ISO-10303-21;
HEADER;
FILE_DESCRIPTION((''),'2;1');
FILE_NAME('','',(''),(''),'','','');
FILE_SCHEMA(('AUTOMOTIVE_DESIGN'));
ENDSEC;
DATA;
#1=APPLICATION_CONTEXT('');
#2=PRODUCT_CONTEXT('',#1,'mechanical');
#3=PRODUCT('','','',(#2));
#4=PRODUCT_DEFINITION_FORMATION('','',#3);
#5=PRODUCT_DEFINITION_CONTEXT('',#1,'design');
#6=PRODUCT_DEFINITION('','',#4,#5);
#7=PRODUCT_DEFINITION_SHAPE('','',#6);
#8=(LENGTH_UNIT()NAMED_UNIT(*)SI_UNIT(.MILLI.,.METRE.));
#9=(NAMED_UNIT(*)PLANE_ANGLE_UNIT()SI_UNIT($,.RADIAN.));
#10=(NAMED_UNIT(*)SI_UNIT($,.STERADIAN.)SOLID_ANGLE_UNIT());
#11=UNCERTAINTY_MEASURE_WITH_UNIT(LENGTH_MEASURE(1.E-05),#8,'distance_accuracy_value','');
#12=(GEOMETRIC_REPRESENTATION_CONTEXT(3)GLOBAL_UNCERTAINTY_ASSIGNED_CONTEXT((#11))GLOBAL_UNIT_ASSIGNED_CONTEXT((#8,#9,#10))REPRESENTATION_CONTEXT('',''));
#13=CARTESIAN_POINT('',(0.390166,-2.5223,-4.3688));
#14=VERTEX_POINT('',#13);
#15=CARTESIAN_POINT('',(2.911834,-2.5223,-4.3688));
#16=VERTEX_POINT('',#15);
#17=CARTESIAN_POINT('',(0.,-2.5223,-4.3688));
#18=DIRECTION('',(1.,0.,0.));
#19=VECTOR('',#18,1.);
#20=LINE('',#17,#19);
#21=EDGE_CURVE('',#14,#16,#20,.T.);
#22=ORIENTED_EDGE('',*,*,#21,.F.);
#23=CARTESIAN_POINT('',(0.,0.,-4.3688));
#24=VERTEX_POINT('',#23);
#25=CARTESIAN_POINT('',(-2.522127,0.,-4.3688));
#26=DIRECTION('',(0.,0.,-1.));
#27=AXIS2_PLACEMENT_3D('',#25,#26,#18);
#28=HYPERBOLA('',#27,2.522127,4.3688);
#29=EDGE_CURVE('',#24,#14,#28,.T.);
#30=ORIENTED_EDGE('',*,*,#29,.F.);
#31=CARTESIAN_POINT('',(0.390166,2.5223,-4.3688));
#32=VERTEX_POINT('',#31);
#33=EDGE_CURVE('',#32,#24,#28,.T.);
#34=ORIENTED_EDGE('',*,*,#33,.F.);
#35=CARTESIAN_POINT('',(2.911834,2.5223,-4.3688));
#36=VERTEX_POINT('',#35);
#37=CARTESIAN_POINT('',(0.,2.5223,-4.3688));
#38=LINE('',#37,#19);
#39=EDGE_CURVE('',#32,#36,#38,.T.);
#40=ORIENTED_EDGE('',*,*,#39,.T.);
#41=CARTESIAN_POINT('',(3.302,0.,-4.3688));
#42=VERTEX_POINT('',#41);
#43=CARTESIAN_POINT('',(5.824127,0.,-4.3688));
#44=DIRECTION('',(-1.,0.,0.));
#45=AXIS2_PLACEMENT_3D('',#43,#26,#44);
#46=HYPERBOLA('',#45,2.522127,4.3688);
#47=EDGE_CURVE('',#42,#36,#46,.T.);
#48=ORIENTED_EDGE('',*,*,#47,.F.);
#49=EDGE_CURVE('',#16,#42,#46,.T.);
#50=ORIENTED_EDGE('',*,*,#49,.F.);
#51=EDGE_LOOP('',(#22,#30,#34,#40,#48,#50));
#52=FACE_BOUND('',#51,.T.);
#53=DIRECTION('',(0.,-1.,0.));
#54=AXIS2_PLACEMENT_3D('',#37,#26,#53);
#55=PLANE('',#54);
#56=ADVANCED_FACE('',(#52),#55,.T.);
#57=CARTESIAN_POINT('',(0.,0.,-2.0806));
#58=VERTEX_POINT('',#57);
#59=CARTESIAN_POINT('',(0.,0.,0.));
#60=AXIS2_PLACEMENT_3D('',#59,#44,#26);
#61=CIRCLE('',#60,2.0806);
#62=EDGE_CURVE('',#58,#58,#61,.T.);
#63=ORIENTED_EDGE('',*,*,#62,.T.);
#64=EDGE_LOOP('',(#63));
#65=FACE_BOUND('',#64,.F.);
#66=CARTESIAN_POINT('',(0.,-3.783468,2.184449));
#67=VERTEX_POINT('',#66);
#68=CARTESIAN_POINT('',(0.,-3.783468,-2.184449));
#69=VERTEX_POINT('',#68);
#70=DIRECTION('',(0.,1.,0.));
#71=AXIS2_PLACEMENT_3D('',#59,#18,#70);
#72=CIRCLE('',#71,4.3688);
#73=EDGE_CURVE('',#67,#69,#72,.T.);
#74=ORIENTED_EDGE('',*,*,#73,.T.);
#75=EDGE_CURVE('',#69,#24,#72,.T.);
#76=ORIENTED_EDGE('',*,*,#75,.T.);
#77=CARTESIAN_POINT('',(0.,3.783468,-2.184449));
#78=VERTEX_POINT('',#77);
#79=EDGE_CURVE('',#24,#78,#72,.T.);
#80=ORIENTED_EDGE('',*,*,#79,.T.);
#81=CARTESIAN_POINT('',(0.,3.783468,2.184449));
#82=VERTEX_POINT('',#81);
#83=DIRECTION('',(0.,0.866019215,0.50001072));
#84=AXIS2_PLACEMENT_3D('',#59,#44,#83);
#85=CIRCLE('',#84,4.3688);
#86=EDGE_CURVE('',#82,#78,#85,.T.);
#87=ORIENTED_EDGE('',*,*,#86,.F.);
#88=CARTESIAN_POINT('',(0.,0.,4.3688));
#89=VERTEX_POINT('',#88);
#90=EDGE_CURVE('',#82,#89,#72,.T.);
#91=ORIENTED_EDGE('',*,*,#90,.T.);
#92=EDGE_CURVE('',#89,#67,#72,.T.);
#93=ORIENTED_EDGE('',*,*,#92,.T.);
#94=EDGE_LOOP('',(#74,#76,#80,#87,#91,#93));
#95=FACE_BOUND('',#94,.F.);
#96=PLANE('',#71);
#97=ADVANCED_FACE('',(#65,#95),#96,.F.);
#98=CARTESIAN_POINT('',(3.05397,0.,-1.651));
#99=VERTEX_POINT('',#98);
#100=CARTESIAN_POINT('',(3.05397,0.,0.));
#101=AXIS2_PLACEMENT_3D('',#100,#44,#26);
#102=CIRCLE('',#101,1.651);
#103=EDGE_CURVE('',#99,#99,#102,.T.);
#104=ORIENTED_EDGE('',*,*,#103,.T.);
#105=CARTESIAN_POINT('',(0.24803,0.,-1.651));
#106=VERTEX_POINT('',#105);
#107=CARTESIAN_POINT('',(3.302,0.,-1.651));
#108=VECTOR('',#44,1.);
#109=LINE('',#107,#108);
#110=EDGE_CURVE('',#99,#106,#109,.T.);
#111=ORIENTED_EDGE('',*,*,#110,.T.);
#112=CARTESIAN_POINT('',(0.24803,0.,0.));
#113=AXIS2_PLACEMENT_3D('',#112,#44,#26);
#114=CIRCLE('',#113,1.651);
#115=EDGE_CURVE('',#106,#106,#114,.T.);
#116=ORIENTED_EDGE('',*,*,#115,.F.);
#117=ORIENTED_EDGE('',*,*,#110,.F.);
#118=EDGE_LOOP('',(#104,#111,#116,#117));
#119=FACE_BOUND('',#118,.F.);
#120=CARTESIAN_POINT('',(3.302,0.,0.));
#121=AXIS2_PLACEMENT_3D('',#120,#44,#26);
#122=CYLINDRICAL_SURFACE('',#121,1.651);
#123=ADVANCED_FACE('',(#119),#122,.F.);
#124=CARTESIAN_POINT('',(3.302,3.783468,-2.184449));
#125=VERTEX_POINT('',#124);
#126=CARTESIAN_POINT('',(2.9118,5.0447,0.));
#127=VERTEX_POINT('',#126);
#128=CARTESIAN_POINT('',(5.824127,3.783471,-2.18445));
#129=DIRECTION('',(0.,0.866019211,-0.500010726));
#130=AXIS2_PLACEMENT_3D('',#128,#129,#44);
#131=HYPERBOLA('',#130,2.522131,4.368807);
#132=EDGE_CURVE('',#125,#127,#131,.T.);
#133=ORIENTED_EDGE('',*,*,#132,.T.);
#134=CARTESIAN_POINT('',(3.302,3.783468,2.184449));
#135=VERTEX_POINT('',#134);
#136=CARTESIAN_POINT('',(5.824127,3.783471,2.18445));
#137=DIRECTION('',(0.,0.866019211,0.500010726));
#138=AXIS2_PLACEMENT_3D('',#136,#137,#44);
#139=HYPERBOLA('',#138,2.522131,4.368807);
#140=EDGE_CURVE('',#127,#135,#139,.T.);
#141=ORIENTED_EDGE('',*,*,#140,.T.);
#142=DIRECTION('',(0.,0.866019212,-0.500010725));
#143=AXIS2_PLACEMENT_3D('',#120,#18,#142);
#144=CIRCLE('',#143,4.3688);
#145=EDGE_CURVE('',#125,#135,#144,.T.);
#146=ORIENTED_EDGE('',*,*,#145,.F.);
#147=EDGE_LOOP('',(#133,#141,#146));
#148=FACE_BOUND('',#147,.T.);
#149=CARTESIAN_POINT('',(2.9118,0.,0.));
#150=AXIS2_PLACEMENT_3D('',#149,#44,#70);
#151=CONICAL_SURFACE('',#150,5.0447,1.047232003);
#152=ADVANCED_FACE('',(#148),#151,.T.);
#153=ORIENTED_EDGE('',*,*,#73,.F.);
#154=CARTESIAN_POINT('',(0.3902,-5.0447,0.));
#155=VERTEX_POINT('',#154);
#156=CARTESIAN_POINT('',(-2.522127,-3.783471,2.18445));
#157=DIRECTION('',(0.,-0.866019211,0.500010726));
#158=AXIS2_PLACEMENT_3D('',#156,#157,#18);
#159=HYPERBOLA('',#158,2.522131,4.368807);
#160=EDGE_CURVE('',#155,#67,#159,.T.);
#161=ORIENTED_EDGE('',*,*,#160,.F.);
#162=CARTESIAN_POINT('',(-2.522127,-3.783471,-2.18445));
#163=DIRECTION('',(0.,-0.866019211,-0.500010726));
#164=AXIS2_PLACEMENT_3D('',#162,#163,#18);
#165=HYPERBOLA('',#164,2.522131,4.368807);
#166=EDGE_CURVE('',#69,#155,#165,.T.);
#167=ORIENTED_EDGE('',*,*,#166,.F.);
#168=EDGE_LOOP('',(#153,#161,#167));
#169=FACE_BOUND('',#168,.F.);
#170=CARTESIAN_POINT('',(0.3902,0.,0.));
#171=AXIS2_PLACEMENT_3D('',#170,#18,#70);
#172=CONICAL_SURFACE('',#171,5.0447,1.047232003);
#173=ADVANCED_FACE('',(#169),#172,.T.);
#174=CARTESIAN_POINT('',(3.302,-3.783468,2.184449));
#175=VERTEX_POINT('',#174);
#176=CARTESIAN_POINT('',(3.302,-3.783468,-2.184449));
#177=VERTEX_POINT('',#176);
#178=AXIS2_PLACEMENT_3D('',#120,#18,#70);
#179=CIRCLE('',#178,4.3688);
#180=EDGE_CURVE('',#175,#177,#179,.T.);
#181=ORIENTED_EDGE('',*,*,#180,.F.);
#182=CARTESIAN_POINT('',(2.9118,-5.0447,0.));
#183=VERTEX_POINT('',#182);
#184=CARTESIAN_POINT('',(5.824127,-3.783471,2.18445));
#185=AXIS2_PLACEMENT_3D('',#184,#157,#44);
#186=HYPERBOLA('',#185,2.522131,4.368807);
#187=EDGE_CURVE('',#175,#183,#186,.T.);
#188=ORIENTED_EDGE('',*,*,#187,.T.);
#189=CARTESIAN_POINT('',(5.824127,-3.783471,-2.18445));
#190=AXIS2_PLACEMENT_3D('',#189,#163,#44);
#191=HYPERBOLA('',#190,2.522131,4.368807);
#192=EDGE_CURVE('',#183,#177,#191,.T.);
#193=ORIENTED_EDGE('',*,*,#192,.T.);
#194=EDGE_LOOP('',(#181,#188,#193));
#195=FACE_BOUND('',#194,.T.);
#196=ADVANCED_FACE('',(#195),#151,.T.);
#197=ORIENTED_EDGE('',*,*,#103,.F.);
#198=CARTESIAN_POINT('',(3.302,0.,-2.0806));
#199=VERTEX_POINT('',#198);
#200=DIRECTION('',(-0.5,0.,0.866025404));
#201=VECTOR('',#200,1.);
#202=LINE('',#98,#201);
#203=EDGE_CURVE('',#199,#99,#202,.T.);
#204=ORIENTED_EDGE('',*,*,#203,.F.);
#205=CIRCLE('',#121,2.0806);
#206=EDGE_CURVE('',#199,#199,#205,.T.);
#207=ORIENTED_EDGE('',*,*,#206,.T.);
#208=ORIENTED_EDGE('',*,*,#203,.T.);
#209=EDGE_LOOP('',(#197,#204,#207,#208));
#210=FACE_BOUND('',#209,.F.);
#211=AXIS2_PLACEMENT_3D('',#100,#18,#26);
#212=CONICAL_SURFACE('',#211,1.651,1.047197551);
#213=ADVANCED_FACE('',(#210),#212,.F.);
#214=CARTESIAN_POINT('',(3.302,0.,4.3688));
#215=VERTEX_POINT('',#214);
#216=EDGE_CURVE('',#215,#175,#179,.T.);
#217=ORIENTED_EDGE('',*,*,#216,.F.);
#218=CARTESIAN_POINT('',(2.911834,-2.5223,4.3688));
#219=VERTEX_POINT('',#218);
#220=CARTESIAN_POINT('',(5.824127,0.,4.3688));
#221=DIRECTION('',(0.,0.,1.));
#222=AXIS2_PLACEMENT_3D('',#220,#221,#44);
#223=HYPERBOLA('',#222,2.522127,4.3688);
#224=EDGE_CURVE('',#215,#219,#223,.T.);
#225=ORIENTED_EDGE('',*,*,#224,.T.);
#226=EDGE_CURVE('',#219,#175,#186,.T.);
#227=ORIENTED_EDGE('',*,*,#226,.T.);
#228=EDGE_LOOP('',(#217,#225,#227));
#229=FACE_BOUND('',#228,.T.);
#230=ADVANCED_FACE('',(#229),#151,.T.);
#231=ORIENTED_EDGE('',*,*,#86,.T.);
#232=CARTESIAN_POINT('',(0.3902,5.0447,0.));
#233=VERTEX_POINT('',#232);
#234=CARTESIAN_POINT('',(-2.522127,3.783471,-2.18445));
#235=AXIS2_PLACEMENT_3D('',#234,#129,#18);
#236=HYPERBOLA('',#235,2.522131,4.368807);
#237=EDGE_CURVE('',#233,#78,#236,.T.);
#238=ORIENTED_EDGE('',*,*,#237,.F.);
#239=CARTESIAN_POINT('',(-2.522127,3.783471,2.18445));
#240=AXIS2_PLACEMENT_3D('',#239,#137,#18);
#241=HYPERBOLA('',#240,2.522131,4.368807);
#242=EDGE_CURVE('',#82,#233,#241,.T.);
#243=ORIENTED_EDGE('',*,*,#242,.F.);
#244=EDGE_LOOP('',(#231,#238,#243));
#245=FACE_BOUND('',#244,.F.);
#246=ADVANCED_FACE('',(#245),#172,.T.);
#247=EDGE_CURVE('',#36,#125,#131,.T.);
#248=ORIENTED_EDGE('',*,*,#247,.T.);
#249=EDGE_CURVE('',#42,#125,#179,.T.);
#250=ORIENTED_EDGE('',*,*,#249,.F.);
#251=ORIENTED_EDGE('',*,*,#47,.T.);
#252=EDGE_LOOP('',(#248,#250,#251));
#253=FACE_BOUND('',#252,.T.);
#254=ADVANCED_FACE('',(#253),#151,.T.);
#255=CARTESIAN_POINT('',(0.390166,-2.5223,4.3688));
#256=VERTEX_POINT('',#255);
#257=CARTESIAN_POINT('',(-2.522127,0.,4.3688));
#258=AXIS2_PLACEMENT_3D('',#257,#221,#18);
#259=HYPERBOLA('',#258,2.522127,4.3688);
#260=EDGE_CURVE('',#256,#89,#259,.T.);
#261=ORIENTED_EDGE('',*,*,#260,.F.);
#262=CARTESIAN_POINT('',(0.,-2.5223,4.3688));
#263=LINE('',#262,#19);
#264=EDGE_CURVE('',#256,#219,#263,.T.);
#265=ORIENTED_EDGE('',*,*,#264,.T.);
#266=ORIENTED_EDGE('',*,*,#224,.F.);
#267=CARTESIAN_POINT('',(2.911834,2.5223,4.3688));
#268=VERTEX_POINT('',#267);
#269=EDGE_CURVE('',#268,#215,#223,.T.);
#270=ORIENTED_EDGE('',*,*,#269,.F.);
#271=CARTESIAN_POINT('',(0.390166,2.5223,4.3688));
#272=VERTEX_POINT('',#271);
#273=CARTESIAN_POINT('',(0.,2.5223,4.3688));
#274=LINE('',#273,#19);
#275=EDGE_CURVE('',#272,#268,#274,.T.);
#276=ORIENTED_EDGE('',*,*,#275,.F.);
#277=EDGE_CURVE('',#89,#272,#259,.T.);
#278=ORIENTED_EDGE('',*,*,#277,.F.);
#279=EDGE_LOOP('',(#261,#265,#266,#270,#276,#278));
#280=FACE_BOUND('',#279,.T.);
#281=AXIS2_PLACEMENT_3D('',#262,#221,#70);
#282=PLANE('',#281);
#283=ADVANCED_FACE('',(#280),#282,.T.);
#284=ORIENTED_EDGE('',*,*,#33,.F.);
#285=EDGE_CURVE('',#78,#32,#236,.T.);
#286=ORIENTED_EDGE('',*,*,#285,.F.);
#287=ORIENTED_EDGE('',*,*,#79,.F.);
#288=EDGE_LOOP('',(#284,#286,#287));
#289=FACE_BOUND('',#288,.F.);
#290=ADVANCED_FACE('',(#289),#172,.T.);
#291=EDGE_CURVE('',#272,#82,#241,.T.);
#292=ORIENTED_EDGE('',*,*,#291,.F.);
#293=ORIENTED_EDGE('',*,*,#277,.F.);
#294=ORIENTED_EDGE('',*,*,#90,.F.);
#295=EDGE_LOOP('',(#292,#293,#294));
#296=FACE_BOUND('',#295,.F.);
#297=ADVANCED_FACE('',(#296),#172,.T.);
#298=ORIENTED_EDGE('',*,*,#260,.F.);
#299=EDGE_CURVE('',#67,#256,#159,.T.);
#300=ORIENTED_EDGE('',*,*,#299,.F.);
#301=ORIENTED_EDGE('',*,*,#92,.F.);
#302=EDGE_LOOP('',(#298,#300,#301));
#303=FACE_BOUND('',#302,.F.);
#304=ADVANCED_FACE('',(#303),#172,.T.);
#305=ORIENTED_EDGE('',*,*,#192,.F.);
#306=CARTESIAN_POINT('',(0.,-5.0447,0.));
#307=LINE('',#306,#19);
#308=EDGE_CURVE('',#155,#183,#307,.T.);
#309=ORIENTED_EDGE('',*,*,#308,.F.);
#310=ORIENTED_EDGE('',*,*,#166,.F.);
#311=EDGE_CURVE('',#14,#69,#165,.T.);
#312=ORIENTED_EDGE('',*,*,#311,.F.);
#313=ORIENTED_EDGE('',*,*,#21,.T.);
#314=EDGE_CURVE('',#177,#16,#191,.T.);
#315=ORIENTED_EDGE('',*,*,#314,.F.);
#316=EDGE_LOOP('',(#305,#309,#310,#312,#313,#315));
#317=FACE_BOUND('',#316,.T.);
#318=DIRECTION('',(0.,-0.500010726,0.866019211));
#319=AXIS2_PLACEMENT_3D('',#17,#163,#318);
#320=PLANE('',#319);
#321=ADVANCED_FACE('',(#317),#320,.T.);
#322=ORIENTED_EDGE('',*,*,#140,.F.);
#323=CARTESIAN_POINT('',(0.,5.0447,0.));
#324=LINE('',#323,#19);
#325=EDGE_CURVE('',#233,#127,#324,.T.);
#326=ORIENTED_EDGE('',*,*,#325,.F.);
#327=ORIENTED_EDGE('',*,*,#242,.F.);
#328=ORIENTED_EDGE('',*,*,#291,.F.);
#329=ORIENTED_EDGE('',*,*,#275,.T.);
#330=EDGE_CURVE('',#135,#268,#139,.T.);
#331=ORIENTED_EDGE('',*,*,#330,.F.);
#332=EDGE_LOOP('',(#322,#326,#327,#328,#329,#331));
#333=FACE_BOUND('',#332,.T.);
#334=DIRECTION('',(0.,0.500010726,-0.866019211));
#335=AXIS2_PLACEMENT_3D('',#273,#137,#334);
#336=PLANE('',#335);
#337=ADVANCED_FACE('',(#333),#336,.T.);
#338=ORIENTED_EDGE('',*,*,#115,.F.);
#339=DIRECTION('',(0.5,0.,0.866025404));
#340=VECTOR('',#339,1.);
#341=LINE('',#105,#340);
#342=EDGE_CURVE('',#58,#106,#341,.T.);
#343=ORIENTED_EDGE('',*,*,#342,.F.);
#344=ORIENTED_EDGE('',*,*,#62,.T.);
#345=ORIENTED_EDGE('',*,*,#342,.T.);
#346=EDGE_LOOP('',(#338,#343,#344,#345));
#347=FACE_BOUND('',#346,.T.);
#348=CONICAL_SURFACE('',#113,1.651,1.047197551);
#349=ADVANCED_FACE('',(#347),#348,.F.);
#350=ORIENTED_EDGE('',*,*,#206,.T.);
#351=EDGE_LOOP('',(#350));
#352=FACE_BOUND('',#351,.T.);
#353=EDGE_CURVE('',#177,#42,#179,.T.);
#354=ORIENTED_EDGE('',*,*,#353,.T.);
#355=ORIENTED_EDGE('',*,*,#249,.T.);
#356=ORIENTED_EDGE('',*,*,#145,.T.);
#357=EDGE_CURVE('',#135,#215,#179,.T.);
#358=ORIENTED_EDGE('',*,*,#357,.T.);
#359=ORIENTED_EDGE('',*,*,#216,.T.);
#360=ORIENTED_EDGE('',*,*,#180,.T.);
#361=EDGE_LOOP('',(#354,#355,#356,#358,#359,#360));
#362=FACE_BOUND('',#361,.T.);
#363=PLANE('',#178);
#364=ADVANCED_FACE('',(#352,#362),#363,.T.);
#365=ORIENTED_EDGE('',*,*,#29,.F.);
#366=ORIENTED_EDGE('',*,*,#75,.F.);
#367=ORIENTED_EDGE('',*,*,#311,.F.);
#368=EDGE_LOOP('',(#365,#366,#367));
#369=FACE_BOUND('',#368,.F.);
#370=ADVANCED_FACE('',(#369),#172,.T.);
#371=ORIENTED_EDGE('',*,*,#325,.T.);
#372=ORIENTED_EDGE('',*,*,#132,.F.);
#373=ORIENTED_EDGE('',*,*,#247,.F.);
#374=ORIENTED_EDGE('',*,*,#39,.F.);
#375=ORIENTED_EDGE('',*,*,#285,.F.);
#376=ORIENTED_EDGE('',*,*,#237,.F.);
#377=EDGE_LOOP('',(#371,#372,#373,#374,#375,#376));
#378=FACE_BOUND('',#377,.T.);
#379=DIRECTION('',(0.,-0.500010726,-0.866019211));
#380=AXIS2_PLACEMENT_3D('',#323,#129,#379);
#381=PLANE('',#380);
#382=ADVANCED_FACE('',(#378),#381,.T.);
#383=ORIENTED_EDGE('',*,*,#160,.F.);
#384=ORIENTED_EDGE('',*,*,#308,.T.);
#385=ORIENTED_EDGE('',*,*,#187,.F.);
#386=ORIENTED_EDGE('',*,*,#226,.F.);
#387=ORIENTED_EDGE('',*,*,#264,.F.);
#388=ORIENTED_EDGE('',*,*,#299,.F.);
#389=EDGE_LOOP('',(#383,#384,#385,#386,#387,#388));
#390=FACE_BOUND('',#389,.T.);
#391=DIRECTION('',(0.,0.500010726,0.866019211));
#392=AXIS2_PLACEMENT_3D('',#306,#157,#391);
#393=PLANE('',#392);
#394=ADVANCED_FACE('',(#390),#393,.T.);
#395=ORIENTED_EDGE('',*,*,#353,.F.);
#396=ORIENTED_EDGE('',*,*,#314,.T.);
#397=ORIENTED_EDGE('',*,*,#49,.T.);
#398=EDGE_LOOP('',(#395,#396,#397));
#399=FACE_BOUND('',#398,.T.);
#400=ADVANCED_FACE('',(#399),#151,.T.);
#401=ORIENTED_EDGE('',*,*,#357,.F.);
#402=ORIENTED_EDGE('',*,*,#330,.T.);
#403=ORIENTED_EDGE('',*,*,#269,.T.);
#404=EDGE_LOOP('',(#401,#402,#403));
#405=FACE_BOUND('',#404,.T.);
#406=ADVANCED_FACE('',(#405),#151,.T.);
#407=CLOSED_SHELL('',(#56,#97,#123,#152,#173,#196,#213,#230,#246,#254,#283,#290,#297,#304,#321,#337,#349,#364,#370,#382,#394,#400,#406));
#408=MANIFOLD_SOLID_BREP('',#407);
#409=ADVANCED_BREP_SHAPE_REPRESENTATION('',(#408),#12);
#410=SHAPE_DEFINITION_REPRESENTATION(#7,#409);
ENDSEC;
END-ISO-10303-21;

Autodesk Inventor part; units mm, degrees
ref_plane "YZ Plane" through (0, 0, 0) normal (1, 0, 0) x (0, 1, 0)
ref_plane "XZ Plane" through (0, 0, 0) normal (0, 1, 0) x (-1, 0, 0)
sketch "Sketch1" plane through (0, 0, 0) normal (1, 0, 0) x (0, 1, 0)
  line L0 (-5.0447, 0) -> (-2.5223, 4.3688)
  line L1 (-2.5223, 4.3688) -> (2.5223, 4.3688)
  line L2 (2.5223, 4.3688) -> (5.0447, 0)
  line L3 (5.0447, 0) -> (2.5223, -4.3688)
  line L4 (2.5223, -4.3688) -> (-2.5223, -4.3688)
  line L5 (-2.5223, -4.3688) -> (-5.0447, 0)
  point P0 (0, 0)
  point P1 (0, 0)
  dimension "d0" = 10.0893
extrude "Body" add sketch "Sketch1" along normal blind 3.302
sketch "Sketch2" plane through (0, 0, 0) normal (0, 0, 1) x (1, 0, 0)
  line L0 (0, 2.5223) -> (0, 5.0447) projected
  line L1 (0, 5.0447) -> (3.302, 5.0447) projected
  line L2 (3.302, 2.5223) -> (3.302, 5.0447) projected
  line L3 (-0.6604, 0) -> (3.9624, 0) projected
  line L4 (0.3902, 5.0447) -> (0, 4.3688)
  line L5 (2.9118, 5.0447) -> (3.302, 4.3688)
  dimension "d3" = 30
  dimension "d4" = 30
  dimension "d5" = 8.7376
  dimension "d6" = 8.7376
revolve "Chamfer1" cut sketch "Sketch2" angle 360 about axis through (-10, 0, 0) along (1, 0, 0)
sketch "Sketch3" plane through (3.302, 0, 0) normal (1, 0, 0) x (0, 0, -1)
  arc A0 (-2.1844, -3.7835) -> (2.1844, -3.7835) centre (0, 0) ccw projected
hole "Thread" at (3.302, 0, 0) direction (-1, 0, 0) diameter 3.302 end through all thread size "8-32 UNC" class "2B" standard "ANSI Unified Screw Threads"
chamfer "Chamfer2" distance 0.4296 angle 30 1 edges at (3.302, 0, 1.651) measured on face at (3.302, 3.4429, -0.0663)
chamfer "Chamfer3" distance 0.4296 angle 30 1 edges at (0, 0, 1.651) measured on face at (0, 3.4429, -0.0663)
ref_plane "Work Plane1" through (-10.4473, 0, 0) normal (0, -0.866, -0.5) x (1, 0, 0)
equation "\"d0\" = 1.1547 * SW"
equation "\"d1\" = KOH"
equation "\"d3\" = ANG1"
equation "\"d4\" = ANG2"
equation "\"d5\" = SW0"
equation "\"d6\" = SW01"
equation "\"d8\" = -0.5 * GD1 + 0.5 * NND"
equation "\"d40\" = -0.5 * GD1 + 0.5 * NND"
equation "\"d10\" = -0.5 * GD1 + 0.5 * NND"
equation "\"d41\" = -0.5 * GD1 + 0.5 * NND"
equation "\"ANG1\" = 30deg"
equation "\"ANG2\" = 30deg"
equation "\"NND\" = 4.1656"
equation "\"KOH\" = 3.302"
equation "\"SW\" = 8.7376"
equation "\"SW0\" = SW"
equation "\"SW01\" = SW"
equation "\"THREADDIA\" = 4.1656"
equation "\"TOA\" = 30deg"
equation "\"E0\" = 1.155 * SW"
equation "\"GD1\" = 3.30634"
properties part number "ANSI B18.2.2 - 8 - 32, HMSNI" material "Steel, Mild"
